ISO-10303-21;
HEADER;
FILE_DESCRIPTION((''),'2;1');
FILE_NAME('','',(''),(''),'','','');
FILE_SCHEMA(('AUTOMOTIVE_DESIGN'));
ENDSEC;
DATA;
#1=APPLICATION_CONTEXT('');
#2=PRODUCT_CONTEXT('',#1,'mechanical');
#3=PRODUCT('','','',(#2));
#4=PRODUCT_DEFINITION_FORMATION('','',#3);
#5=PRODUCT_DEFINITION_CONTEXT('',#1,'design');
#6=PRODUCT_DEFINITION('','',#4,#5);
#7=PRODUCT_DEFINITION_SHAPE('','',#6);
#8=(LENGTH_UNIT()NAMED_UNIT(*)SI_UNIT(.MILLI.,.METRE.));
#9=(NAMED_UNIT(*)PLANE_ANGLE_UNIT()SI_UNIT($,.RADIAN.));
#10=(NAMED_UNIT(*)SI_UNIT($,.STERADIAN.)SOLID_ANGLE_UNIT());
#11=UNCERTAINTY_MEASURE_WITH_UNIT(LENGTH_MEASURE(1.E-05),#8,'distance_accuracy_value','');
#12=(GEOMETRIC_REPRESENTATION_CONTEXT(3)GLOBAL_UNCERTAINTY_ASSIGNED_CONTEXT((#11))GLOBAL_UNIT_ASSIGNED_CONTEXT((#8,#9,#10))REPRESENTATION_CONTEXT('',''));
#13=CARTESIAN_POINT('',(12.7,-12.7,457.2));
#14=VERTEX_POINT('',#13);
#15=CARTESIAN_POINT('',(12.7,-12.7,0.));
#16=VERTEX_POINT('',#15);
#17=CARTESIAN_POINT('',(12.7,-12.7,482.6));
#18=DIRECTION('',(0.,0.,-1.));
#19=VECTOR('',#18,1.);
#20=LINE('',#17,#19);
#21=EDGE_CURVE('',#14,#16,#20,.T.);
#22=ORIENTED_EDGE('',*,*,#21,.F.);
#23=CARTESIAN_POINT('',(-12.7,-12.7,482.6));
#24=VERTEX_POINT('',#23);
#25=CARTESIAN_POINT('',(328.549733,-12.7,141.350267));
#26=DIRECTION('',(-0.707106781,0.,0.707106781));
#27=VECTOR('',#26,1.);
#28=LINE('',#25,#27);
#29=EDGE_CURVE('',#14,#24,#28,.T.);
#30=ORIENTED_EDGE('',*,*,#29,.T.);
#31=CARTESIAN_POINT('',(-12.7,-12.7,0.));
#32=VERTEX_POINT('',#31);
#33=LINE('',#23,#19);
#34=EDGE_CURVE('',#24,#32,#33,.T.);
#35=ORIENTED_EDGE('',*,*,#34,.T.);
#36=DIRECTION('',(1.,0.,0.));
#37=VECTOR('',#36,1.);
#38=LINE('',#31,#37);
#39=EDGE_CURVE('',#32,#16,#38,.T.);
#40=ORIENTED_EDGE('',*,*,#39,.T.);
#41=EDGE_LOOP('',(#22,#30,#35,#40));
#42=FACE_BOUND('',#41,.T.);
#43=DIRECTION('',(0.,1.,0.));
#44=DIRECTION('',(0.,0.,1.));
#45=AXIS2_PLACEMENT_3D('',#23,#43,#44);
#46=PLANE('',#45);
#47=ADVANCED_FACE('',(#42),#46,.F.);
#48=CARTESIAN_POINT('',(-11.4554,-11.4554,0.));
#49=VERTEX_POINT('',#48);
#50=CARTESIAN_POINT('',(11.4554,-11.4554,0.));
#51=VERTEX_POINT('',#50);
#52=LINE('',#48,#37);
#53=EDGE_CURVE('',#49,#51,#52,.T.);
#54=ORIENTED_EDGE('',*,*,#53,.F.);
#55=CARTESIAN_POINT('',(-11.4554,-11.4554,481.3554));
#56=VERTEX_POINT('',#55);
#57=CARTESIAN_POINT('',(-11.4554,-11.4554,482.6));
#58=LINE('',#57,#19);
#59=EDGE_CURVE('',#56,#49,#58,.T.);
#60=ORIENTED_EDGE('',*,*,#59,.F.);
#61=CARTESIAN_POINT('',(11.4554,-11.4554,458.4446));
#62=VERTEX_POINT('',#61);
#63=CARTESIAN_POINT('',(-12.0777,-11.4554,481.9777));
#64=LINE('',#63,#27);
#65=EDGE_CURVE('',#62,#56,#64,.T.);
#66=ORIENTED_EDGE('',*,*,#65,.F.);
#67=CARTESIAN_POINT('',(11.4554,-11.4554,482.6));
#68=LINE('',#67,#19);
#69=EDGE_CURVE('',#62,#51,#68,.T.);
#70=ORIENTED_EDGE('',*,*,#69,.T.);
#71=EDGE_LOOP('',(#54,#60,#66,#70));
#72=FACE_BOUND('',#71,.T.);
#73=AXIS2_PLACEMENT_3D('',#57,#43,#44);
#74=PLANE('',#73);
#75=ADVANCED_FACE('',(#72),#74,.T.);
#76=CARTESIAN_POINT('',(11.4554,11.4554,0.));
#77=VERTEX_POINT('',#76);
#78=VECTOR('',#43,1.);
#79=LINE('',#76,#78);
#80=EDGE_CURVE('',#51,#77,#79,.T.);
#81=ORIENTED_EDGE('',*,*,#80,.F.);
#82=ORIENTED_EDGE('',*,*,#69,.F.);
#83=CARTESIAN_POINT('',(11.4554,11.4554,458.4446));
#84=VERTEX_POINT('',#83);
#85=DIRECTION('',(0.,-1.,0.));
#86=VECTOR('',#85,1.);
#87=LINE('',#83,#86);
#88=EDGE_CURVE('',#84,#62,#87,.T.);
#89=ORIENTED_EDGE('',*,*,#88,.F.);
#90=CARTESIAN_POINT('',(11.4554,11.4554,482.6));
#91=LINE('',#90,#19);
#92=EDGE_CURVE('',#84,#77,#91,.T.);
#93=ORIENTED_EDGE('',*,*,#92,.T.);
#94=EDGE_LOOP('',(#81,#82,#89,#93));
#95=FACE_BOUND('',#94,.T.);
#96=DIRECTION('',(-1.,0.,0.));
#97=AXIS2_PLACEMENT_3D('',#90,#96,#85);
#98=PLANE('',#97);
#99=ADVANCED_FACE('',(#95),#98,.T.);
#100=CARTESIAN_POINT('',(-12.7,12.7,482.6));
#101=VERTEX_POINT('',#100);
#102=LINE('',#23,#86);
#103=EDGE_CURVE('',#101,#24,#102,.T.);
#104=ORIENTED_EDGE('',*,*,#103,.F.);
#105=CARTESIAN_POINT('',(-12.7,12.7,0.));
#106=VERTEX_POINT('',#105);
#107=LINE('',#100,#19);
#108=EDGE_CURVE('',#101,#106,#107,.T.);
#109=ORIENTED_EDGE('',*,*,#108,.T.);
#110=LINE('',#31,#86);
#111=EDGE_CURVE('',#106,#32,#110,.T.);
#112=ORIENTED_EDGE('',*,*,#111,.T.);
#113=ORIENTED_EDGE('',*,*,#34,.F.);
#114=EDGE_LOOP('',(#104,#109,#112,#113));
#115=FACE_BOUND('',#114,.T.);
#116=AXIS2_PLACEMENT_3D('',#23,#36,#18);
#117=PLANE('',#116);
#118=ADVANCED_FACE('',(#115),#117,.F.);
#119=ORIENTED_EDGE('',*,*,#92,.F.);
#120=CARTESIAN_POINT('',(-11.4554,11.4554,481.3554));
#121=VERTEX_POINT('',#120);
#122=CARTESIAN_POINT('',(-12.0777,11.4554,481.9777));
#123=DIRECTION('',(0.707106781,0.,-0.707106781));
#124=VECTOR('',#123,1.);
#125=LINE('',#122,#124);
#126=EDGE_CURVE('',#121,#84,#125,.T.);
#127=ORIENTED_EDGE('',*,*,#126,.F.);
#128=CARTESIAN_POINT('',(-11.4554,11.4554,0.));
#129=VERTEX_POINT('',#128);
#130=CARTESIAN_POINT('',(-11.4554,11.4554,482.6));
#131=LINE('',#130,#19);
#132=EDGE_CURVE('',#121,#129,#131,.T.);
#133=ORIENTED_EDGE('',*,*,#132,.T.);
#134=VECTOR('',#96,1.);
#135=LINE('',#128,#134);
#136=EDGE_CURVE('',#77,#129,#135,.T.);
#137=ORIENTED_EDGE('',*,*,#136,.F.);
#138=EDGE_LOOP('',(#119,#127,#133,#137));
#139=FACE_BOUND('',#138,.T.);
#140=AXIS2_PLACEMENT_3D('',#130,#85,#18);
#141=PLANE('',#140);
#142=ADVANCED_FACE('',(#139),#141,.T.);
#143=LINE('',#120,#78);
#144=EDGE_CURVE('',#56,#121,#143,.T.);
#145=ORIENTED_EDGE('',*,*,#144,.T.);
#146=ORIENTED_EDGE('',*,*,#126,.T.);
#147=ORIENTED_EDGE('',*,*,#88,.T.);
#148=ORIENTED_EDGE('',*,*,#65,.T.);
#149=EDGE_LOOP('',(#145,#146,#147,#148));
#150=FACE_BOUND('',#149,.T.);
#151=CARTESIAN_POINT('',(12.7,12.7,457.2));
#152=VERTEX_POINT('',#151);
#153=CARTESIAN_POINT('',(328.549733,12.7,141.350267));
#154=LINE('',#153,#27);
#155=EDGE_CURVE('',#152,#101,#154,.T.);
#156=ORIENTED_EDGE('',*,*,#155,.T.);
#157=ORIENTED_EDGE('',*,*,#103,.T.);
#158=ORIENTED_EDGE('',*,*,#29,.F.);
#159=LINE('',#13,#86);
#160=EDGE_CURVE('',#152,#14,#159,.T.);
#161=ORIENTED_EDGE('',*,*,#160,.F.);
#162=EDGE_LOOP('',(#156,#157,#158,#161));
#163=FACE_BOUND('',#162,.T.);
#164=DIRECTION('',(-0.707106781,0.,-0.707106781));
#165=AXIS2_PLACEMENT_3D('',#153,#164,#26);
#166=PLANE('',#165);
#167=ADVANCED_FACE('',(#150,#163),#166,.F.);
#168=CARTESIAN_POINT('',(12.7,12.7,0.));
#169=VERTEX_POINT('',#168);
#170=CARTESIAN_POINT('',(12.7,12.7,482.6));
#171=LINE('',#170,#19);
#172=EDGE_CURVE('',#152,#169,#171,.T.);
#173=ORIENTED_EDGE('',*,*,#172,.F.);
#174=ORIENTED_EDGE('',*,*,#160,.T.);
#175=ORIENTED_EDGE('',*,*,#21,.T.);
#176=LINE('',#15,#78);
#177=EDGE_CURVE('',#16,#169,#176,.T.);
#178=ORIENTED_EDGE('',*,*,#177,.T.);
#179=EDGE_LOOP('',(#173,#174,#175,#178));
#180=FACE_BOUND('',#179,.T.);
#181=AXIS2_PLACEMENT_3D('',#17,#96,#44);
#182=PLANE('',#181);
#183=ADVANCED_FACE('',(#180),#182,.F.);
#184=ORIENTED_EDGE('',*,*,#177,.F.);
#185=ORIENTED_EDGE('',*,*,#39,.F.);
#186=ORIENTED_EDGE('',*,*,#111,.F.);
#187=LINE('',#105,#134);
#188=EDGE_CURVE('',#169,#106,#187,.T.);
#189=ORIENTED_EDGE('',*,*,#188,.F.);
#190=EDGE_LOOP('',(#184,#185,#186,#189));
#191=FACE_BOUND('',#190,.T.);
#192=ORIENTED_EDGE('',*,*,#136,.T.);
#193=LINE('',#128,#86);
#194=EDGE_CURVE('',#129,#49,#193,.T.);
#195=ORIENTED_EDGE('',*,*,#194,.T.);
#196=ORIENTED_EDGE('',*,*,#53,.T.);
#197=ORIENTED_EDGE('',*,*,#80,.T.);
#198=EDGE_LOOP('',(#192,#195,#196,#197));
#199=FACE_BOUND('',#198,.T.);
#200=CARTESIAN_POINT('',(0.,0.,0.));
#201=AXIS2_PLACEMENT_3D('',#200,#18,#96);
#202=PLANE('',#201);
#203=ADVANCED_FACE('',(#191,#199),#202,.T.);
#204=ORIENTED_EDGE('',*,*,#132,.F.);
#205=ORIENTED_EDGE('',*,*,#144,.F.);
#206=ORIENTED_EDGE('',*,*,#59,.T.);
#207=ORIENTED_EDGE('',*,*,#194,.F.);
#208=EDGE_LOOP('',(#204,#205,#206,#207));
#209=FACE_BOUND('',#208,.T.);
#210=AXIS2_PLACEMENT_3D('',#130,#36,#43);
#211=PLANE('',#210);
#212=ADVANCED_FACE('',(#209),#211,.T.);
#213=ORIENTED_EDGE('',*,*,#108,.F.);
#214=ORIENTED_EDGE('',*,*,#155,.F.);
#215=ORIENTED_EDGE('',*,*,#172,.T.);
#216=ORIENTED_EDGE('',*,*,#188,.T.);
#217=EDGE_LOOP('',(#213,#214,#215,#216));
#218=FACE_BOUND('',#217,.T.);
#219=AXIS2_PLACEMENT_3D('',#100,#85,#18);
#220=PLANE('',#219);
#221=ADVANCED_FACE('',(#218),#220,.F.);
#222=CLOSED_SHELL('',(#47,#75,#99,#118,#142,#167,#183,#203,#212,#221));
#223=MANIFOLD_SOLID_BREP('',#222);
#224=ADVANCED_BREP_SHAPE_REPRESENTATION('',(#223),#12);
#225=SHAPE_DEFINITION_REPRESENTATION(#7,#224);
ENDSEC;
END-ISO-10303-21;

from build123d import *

# Parameters (mm, degrees)
SKETCH3_W           = 25.4
SKETCH3_H           = 25.4
SKETCH3_W_2         = 22.9108
SKETCH3_H_2         = 22.9108
BOSS_EXTRUDE1_DEPTH = 482.6
SKETCH4_W           = 25.4
SKETCH4_H           = 25.4
CUT_EXTRUDE1_DEPTH  = 482.6


with BuildPart() as part:
    # Sketch3 → Boss-Extrude1 (new body)
    with BuildSketch(Plane.XY):
        Rectangle(SKETCH3_W, SKETCH3_H)
        Rectangle(SKETCH3_W_2, SKETCH3_H_2, mode=Mode.SUBTRACT)
    extrude(amount=BOSS_EXTRUDE1_DEPTH)

    # Sketch4 → Cut-Extrude1 (cut)
    with BuildSketch(Plane(origin=(-247.65, 0, 247.65), x_dir=(0, -1, 0), z_dir=(-0.7071067811865488, 0, 0.7071067811865464))):
        with Locations((0, 344.96947648)):
            Rectangle(SKETCH4_W, SKETCH4_H)
    extrude(amount=-CUT_EXTRUDE1_DEPTH, mode=Mode.SUBTRACT)


solid = part.part
